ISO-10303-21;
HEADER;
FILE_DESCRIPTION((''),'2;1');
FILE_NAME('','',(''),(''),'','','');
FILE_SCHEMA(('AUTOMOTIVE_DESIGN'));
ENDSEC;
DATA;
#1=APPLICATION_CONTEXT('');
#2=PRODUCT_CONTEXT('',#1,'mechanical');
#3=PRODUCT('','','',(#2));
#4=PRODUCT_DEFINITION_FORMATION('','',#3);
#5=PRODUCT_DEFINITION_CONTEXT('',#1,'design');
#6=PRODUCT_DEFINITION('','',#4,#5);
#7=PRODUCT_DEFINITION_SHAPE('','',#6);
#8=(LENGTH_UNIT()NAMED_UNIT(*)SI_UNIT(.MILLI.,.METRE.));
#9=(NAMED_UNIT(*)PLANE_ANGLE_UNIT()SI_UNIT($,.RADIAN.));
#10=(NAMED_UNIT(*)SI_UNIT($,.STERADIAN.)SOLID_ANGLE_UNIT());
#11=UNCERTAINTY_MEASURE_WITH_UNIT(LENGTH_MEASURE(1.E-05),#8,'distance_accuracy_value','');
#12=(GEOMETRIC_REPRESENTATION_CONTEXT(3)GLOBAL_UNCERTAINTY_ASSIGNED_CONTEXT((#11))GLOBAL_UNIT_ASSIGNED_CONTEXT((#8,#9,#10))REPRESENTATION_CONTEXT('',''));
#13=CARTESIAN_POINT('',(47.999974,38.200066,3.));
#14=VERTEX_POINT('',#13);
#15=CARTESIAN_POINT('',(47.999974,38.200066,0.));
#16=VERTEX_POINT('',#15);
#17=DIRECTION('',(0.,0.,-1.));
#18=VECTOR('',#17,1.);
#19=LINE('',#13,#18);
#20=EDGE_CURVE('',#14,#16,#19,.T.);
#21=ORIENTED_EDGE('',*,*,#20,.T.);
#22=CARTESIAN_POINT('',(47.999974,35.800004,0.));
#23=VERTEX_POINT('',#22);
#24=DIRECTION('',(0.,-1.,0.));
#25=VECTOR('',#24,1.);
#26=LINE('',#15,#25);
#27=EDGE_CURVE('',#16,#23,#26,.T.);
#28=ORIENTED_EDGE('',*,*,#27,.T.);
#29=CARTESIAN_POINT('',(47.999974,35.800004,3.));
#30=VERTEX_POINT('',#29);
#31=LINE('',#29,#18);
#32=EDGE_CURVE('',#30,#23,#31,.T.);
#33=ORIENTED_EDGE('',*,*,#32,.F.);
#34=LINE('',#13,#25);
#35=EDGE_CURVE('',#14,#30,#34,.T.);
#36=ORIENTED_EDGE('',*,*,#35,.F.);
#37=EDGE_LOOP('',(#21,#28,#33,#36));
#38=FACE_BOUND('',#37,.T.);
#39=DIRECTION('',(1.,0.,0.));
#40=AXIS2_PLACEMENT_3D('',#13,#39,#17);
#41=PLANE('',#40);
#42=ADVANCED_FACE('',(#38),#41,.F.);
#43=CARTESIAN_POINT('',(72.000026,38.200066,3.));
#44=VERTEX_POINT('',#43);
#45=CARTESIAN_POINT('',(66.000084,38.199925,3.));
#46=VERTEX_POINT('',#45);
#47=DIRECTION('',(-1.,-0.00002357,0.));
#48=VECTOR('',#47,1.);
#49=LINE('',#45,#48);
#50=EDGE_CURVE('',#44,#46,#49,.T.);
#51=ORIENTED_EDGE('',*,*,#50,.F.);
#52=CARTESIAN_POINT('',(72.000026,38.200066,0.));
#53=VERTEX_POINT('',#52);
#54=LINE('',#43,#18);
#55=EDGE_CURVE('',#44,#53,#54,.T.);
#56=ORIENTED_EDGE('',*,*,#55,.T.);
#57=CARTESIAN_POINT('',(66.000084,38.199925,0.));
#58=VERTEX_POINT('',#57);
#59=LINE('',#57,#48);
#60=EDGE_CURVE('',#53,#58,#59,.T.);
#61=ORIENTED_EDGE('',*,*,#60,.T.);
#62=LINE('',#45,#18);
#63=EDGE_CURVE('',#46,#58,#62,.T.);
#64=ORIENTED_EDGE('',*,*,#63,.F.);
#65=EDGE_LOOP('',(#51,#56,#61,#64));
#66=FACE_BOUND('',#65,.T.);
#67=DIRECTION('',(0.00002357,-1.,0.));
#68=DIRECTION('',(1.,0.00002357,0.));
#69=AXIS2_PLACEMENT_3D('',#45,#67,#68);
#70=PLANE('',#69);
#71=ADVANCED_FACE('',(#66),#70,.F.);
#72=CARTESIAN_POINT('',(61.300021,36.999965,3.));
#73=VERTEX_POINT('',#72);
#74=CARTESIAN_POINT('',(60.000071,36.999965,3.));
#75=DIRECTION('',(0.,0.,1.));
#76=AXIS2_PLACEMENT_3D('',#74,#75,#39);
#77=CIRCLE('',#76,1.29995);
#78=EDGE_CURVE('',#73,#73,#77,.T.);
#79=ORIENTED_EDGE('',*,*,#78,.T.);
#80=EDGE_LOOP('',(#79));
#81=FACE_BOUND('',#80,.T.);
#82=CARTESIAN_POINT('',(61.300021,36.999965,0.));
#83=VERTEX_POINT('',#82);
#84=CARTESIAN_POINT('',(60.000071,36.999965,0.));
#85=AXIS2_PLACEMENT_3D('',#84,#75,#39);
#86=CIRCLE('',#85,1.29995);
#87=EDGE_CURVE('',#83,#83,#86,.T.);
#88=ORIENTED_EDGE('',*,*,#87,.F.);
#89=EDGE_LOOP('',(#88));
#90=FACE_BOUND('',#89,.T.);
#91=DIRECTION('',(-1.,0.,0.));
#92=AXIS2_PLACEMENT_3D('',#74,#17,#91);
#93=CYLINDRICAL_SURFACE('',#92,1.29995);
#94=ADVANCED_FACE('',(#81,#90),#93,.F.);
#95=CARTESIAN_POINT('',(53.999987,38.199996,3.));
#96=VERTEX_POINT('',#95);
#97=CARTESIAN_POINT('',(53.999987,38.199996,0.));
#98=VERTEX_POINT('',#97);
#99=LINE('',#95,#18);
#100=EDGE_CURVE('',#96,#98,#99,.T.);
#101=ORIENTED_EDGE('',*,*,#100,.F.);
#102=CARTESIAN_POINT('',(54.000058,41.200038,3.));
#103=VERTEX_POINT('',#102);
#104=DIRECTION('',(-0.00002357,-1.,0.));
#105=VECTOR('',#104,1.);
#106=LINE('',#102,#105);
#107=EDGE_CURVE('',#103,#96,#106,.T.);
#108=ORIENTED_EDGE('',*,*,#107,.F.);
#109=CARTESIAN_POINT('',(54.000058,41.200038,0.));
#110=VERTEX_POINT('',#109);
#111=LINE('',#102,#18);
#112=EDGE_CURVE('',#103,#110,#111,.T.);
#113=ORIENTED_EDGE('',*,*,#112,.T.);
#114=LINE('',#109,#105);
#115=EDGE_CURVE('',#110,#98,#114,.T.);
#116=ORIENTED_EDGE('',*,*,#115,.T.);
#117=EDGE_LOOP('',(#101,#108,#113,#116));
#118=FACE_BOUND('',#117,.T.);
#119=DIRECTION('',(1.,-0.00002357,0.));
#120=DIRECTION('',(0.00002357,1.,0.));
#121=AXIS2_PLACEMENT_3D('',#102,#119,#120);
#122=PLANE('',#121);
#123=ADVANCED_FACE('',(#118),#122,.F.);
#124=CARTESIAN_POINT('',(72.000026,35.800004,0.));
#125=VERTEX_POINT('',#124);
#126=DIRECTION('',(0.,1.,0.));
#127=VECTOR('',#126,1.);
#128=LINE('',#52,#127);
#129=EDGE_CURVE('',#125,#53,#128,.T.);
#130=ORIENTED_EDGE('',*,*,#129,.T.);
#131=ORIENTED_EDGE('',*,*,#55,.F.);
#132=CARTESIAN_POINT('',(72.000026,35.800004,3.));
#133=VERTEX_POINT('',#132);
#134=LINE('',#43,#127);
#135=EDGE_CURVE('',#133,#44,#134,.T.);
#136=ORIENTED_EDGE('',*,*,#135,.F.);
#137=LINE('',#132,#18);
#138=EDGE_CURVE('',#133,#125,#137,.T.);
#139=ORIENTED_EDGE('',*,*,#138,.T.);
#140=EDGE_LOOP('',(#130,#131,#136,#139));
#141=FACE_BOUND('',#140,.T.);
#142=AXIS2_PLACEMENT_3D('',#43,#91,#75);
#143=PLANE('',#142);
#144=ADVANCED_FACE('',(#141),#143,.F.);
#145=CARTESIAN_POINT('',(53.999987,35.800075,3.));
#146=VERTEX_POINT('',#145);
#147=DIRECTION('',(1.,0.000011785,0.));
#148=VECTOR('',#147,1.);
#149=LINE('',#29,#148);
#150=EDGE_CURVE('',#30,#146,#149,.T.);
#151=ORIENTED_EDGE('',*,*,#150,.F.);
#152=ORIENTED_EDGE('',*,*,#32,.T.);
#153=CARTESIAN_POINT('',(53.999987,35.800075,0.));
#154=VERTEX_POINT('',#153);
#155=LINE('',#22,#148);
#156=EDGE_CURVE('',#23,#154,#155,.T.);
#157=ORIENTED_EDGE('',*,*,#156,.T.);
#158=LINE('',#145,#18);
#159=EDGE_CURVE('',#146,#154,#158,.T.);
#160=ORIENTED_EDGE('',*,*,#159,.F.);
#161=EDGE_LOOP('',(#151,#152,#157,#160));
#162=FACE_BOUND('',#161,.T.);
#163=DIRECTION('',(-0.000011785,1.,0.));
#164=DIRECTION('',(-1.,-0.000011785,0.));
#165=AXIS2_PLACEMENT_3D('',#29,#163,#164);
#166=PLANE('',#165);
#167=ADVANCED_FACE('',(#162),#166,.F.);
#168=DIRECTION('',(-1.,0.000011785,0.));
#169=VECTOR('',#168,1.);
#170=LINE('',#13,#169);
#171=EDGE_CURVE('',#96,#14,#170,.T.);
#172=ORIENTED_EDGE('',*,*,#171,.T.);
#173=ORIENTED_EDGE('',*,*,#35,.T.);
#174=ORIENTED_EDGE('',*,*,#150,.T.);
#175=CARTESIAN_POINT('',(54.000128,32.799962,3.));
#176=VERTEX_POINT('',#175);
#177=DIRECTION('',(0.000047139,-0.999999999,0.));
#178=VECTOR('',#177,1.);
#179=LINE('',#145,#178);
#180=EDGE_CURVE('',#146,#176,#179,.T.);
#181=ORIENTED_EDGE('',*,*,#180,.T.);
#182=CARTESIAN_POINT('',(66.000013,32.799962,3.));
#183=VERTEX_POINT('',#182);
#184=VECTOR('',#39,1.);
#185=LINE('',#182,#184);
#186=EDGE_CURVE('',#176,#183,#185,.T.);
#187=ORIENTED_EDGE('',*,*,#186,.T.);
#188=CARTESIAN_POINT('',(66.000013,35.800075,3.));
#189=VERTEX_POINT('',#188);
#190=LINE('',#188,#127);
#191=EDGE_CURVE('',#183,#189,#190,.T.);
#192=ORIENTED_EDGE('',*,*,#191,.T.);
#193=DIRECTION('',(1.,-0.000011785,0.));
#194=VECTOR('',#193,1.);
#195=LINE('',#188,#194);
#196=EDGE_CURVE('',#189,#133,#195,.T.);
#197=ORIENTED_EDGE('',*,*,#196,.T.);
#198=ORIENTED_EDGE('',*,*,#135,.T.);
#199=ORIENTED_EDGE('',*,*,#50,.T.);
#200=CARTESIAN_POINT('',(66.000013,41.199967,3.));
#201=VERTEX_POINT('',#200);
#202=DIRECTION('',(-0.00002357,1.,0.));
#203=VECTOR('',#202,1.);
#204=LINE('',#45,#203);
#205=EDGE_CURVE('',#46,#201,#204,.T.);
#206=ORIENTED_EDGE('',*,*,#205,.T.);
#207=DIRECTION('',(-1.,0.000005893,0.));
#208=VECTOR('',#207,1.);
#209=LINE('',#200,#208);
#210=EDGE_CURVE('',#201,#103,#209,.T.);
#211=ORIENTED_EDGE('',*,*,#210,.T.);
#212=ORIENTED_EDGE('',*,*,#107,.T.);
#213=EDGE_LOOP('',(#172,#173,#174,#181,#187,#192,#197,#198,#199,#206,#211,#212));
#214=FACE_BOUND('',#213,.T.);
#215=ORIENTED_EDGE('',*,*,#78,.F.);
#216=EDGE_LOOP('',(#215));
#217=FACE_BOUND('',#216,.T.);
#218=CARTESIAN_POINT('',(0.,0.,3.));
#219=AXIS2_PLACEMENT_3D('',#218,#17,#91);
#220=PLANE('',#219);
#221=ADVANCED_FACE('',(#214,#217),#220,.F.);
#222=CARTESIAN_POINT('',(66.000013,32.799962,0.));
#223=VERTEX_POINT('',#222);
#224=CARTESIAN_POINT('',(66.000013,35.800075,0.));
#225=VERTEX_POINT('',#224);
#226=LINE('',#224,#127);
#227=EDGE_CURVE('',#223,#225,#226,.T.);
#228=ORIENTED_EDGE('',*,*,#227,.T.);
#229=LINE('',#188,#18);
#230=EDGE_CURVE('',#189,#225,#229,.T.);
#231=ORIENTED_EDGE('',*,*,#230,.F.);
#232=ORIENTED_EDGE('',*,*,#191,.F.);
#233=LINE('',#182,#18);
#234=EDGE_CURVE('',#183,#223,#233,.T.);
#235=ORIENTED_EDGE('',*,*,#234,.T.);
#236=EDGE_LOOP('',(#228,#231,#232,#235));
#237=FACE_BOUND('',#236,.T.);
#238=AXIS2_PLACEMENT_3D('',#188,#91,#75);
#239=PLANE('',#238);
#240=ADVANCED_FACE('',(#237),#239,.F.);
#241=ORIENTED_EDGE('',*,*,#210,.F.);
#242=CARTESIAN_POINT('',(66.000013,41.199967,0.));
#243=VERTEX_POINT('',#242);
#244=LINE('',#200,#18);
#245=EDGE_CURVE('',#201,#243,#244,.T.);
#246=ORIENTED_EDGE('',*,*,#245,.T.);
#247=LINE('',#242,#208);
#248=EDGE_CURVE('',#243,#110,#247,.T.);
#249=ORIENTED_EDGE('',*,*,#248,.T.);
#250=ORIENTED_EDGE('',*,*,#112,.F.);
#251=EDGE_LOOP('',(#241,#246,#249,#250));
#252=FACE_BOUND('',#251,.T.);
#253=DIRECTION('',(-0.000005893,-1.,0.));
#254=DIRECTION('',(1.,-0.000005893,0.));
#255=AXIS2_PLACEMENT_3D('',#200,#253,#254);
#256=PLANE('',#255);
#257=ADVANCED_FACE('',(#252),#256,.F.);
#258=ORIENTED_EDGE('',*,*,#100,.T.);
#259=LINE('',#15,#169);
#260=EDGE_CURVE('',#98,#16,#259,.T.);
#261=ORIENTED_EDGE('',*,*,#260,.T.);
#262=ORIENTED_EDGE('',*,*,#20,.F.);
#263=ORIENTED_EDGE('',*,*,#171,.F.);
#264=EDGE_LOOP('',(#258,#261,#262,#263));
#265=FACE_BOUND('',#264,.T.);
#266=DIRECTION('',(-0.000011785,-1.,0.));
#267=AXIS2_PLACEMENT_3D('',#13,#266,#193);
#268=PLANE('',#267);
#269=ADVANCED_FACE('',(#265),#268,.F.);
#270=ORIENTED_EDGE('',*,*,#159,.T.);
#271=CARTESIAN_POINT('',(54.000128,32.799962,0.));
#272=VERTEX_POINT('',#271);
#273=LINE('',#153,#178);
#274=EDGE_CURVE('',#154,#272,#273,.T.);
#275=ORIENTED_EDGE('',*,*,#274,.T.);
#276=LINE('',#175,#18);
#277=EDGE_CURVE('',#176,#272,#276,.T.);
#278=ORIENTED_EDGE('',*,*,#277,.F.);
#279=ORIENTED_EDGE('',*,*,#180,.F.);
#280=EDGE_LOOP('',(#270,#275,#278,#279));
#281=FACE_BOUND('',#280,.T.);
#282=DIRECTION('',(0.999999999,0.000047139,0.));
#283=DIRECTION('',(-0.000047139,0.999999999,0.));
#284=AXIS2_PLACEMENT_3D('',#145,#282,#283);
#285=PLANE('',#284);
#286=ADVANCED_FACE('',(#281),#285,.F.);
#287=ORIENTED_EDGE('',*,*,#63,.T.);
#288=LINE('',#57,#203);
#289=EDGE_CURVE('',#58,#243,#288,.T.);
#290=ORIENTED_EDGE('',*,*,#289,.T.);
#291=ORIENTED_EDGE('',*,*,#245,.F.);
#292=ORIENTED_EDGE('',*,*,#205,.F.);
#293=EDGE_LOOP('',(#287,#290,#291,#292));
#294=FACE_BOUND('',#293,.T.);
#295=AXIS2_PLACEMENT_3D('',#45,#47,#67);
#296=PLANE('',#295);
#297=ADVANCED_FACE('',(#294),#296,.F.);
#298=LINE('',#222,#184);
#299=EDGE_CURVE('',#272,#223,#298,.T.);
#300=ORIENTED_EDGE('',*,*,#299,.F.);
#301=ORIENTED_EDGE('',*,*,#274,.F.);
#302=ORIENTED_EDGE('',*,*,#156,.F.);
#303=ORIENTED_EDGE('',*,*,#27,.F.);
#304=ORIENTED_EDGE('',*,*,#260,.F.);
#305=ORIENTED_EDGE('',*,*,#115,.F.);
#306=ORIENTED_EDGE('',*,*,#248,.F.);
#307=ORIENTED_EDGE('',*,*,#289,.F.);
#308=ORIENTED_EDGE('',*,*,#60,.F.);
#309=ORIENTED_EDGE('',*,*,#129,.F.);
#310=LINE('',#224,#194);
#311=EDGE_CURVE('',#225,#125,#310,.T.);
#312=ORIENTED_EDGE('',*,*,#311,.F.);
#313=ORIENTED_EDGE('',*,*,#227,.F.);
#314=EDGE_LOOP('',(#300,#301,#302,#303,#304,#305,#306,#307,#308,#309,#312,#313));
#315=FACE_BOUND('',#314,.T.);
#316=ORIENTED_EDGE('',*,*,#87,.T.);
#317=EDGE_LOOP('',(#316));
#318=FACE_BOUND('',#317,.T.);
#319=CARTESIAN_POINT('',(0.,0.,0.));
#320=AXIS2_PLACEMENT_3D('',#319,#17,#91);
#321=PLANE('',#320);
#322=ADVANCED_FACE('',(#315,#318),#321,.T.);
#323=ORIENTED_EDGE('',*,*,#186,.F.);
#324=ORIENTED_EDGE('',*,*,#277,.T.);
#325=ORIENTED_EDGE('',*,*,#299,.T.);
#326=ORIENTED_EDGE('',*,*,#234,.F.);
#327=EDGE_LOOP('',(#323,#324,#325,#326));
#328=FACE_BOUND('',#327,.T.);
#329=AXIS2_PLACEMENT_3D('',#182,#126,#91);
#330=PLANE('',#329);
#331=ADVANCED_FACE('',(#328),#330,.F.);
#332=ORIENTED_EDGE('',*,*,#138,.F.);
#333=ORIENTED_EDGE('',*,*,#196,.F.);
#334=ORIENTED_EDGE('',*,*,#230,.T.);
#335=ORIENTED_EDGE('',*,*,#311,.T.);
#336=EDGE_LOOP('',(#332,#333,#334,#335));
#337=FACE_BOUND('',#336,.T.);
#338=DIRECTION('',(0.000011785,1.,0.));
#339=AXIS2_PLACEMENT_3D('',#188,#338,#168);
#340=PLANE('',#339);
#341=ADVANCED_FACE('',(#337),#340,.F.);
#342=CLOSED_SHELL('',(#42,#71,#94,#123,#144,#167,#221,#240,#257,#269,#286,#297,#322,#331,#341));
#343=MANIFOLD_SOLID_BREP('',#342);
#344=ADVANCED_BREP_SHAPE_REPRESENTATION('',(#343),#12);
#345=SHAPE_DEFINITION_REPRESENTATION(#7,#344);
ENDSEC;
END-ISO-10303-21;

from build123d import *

# Parameters (mm, degrees)
MODEL_R             = 1.299950001
BOSS_EXTRUDE1_DEPTH = 3


with BuildPart() as part:
    # Model → Boss-Extrude1 (new body)
    with BuildSketch(Plane.XY):
        Polygon((47.999973659, 38.200066274), (53.99998683, 38.199995563), (54.00005754, 41.200037504), (66.00001317, 41.199966793), (66.000083881, 38.199924852), (72.000026341, 38.200066274), (72.000026341, 35.800004437), (66.00001317, 35.800075148), (66.00001317, 32.799962496), (54.000128251, 32.799962496), (53.99998683, 35.800075148), (47.999973659, 35.800004437), align=None)
        with Locations((60.000070711, 36.999964645)):
            Circle(MODEL_R, mode=Mode.SUBTRACT)
    extrude(amount=BOSS_EXTRUDE1_DEPTH)


solid = part.part
